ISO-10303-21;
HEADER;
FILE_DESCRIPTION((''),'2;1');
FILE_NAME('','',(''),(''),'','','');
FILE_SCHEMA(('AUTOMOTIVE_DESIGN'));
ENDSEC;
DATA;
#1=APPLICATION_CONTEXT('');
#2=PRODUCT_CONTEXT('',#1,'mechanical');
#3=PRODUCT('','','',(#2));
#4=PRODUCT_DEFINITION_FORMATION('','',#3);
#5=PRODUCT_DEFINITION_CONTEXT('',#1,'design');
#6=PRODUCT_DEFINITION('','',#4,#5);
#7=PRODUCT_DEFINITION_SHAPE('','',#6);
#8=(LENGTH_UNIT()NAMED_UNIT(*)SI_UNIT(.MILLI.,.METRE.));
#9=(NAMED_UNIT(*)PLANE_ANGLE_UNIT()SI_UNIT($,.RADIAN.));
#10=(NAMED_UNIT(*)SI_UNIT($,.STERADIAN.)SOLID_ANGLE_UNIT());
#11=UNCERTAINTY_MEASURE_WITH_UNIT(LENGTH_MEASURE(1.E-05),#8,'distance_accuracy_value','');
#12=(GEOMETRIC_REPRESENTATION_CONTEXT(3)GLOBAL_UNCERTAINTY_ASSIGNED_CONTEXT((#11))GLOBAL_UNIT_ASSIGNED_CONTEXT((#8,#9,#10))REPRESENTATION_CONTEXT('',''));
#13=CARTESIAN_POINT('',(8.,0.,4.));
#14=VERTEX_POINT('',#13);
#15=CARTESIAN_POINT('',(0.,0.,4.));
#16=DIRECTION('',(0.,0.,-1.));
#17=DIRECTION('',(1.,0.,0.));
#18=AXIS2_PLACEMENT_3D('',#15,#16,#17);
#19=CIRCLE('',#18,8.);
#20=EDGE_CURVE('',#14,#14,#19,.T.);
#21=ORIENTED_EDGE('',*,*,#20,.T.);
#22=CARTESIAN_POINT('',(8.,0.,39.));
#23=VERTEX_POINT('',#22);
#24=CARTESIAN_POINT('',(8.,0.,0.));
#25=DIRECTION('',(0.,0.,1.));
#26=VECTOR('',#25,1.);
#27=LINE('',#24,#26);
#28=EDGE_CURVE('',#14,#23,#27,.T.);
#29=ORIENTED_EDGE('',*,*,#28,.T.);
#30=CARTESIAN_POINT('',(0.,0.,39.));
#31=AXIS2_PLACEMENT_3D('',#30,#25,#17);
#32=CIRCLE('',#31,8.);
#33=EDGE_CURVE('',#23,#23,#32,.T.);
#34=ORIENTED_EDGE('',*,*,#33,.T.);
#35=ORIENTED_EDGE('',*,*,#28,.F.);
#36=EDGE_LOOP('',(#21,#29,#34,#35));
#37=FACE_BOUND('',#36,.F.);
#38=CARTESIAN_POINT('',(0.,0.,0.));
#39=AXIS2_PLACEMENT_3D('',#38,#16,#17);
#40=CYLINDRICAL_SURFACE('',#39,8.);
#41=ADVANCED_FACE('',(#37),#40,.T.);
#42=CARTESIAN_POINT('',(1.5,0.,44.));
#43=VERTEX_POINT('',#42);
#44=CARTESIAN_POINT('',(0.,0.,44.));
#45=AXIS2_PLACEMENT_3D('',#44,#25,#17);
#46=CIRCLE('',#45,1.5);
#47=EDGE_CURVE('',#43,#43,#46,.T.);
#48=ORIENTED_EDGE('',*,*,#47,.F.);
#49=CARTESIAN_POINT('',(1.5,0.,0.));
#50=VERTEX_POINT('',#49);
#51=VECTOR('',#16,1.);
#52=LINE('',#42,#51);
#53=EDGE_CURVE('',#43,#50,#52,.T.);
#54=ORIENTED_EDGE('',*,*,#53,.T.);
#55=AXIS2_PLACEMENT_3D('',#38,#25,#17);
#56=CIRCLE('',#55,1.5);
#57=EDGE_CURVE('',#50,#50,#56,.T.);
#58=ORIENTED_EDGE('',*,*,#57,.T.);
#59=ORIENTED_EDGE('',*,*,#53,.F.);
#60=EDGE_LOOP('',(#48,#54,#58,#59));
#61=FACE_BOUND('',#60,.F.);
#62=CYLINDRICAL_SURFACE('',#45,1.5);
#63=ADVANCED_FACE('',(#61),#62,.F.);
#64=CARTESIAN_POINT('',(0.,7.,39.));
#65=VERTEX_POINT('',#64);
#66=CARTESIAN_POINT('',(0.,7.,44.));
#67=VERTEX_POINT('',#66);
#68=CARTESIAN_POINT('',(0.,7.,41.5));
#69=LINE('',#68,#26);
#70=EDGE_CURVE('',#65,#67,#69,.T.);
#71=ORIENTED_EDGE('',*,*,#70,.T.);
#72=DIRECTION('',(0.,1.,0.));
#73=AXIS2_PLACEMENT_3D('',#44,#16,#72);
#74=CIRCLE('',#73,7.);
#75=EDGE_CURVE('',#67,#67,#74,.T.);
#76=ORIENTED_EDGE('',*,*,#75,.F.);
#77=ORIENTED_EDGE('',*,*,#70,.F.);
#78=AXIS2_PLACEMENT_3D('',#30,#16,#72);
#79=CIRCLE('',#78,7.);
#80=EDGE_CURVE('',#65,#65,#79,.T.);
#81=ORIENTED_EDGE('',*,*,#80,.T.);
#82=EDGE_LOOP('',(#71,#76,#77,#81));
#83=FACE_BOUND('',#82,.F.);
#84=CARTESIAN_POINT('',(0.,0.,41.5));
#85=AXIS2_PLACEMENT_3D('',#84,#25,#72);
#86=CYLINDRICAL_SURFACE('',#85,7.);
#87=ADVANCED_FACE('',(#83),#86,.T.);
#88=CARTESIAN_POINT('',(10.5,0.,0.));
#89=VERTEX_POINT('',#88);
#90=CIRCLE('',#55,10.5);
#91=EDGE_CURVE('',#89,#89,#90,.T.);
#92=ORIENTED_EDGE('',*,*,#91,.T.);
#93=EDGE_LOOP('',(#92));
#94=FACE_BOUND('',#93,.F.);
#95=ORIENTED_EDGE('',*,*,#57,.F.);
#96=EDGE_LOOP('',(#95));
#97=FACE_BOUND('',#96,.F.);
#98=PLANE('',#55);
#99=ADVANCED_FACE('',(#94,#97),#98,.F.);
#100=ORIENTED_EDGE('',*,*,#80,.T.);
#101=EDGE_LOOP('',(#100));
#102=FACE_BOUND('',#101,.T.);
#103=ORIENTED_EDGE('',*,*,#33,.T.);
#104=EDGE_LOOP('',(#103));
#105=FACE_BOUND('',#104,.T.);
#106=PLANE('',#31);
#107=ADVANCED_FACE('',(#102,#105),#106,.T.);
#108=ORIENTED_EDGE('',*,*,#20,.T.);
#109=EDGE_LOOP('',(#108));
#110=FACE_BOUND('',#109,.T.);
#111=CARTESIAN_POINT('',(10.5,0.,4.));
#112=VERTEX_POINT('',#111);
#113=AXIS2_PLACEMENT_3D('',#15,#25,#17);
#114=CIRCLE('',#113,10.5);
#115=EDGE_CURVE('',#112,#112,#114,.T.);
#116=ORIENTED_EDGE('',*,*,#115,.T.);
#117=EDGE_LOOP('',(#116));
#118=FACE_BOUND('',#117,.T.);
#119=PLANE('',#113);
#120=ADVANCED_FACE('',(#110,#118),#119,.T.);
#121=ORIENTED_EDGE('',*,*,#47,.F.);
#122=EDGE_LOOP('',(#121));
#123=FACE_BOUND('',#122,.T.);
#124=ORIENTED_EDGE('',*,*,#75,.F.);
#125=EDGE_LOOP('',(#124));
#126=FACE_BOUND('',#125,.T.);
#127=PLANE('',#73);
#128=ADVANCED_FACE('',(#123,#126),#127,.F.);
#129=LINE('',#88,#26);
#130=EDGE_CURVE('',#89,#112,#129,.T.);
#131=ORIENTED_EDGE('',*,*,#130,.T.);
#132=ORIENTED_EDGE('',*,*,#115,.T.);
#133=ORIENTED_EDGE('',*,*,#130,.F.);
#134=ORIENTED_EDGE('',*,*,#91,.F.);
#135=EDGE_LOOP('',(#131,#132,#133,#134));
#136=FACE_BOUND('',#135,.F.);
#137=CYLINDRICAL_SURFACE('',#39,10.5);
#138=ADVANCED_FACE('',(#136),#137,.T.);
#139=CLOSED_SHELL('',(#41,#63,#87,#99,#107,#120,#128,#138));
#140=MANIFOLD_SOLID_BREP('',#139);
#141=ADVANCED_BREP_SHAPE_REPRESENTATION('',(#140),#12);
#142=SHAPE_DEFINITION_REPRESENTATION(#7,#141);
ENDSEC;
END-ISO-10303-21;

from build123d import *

# Parameters (mm, degrees)
F0_R     = 10.5
F1_DEPTH = 4
F2_R     = 8
F3_DEPTH = 39
F4_W     = 7
F4_H     = 5
F6_R     = 1.5
F7_DEPTH = 47.7


with BuildPart() as f1:
    # F0 (on Top) → F1 (new body)
    with BuildSketch(Plane.XY):
        Circle(F0_R)
    extrude(amount=F1_DEPTH)

    # F2 (on Top) → F3 (join)
    with BuildSketch(Plane.XY):
        Circle(F2_R)
    extrude(amount=F3_DEPTH)

    # F4 (on Right) → F5 (revolve)
    with BuildSketch(Plane.YZ):
        with Locations((3.5, 41.5)):
            Rectangle(F4_W, F4_H)
    revolve(axis=Axis((0, 0, 41.5), (0, 0, -1)))

    # F6 (on face) → F7 (cut)
    with BuildSketch(Plane.XY.offset(44)):
        Circle(F6_R)
    extrude(amount=-F7_DEPTH, mode=Mode.SUBTRACT)


solid = f1.part
